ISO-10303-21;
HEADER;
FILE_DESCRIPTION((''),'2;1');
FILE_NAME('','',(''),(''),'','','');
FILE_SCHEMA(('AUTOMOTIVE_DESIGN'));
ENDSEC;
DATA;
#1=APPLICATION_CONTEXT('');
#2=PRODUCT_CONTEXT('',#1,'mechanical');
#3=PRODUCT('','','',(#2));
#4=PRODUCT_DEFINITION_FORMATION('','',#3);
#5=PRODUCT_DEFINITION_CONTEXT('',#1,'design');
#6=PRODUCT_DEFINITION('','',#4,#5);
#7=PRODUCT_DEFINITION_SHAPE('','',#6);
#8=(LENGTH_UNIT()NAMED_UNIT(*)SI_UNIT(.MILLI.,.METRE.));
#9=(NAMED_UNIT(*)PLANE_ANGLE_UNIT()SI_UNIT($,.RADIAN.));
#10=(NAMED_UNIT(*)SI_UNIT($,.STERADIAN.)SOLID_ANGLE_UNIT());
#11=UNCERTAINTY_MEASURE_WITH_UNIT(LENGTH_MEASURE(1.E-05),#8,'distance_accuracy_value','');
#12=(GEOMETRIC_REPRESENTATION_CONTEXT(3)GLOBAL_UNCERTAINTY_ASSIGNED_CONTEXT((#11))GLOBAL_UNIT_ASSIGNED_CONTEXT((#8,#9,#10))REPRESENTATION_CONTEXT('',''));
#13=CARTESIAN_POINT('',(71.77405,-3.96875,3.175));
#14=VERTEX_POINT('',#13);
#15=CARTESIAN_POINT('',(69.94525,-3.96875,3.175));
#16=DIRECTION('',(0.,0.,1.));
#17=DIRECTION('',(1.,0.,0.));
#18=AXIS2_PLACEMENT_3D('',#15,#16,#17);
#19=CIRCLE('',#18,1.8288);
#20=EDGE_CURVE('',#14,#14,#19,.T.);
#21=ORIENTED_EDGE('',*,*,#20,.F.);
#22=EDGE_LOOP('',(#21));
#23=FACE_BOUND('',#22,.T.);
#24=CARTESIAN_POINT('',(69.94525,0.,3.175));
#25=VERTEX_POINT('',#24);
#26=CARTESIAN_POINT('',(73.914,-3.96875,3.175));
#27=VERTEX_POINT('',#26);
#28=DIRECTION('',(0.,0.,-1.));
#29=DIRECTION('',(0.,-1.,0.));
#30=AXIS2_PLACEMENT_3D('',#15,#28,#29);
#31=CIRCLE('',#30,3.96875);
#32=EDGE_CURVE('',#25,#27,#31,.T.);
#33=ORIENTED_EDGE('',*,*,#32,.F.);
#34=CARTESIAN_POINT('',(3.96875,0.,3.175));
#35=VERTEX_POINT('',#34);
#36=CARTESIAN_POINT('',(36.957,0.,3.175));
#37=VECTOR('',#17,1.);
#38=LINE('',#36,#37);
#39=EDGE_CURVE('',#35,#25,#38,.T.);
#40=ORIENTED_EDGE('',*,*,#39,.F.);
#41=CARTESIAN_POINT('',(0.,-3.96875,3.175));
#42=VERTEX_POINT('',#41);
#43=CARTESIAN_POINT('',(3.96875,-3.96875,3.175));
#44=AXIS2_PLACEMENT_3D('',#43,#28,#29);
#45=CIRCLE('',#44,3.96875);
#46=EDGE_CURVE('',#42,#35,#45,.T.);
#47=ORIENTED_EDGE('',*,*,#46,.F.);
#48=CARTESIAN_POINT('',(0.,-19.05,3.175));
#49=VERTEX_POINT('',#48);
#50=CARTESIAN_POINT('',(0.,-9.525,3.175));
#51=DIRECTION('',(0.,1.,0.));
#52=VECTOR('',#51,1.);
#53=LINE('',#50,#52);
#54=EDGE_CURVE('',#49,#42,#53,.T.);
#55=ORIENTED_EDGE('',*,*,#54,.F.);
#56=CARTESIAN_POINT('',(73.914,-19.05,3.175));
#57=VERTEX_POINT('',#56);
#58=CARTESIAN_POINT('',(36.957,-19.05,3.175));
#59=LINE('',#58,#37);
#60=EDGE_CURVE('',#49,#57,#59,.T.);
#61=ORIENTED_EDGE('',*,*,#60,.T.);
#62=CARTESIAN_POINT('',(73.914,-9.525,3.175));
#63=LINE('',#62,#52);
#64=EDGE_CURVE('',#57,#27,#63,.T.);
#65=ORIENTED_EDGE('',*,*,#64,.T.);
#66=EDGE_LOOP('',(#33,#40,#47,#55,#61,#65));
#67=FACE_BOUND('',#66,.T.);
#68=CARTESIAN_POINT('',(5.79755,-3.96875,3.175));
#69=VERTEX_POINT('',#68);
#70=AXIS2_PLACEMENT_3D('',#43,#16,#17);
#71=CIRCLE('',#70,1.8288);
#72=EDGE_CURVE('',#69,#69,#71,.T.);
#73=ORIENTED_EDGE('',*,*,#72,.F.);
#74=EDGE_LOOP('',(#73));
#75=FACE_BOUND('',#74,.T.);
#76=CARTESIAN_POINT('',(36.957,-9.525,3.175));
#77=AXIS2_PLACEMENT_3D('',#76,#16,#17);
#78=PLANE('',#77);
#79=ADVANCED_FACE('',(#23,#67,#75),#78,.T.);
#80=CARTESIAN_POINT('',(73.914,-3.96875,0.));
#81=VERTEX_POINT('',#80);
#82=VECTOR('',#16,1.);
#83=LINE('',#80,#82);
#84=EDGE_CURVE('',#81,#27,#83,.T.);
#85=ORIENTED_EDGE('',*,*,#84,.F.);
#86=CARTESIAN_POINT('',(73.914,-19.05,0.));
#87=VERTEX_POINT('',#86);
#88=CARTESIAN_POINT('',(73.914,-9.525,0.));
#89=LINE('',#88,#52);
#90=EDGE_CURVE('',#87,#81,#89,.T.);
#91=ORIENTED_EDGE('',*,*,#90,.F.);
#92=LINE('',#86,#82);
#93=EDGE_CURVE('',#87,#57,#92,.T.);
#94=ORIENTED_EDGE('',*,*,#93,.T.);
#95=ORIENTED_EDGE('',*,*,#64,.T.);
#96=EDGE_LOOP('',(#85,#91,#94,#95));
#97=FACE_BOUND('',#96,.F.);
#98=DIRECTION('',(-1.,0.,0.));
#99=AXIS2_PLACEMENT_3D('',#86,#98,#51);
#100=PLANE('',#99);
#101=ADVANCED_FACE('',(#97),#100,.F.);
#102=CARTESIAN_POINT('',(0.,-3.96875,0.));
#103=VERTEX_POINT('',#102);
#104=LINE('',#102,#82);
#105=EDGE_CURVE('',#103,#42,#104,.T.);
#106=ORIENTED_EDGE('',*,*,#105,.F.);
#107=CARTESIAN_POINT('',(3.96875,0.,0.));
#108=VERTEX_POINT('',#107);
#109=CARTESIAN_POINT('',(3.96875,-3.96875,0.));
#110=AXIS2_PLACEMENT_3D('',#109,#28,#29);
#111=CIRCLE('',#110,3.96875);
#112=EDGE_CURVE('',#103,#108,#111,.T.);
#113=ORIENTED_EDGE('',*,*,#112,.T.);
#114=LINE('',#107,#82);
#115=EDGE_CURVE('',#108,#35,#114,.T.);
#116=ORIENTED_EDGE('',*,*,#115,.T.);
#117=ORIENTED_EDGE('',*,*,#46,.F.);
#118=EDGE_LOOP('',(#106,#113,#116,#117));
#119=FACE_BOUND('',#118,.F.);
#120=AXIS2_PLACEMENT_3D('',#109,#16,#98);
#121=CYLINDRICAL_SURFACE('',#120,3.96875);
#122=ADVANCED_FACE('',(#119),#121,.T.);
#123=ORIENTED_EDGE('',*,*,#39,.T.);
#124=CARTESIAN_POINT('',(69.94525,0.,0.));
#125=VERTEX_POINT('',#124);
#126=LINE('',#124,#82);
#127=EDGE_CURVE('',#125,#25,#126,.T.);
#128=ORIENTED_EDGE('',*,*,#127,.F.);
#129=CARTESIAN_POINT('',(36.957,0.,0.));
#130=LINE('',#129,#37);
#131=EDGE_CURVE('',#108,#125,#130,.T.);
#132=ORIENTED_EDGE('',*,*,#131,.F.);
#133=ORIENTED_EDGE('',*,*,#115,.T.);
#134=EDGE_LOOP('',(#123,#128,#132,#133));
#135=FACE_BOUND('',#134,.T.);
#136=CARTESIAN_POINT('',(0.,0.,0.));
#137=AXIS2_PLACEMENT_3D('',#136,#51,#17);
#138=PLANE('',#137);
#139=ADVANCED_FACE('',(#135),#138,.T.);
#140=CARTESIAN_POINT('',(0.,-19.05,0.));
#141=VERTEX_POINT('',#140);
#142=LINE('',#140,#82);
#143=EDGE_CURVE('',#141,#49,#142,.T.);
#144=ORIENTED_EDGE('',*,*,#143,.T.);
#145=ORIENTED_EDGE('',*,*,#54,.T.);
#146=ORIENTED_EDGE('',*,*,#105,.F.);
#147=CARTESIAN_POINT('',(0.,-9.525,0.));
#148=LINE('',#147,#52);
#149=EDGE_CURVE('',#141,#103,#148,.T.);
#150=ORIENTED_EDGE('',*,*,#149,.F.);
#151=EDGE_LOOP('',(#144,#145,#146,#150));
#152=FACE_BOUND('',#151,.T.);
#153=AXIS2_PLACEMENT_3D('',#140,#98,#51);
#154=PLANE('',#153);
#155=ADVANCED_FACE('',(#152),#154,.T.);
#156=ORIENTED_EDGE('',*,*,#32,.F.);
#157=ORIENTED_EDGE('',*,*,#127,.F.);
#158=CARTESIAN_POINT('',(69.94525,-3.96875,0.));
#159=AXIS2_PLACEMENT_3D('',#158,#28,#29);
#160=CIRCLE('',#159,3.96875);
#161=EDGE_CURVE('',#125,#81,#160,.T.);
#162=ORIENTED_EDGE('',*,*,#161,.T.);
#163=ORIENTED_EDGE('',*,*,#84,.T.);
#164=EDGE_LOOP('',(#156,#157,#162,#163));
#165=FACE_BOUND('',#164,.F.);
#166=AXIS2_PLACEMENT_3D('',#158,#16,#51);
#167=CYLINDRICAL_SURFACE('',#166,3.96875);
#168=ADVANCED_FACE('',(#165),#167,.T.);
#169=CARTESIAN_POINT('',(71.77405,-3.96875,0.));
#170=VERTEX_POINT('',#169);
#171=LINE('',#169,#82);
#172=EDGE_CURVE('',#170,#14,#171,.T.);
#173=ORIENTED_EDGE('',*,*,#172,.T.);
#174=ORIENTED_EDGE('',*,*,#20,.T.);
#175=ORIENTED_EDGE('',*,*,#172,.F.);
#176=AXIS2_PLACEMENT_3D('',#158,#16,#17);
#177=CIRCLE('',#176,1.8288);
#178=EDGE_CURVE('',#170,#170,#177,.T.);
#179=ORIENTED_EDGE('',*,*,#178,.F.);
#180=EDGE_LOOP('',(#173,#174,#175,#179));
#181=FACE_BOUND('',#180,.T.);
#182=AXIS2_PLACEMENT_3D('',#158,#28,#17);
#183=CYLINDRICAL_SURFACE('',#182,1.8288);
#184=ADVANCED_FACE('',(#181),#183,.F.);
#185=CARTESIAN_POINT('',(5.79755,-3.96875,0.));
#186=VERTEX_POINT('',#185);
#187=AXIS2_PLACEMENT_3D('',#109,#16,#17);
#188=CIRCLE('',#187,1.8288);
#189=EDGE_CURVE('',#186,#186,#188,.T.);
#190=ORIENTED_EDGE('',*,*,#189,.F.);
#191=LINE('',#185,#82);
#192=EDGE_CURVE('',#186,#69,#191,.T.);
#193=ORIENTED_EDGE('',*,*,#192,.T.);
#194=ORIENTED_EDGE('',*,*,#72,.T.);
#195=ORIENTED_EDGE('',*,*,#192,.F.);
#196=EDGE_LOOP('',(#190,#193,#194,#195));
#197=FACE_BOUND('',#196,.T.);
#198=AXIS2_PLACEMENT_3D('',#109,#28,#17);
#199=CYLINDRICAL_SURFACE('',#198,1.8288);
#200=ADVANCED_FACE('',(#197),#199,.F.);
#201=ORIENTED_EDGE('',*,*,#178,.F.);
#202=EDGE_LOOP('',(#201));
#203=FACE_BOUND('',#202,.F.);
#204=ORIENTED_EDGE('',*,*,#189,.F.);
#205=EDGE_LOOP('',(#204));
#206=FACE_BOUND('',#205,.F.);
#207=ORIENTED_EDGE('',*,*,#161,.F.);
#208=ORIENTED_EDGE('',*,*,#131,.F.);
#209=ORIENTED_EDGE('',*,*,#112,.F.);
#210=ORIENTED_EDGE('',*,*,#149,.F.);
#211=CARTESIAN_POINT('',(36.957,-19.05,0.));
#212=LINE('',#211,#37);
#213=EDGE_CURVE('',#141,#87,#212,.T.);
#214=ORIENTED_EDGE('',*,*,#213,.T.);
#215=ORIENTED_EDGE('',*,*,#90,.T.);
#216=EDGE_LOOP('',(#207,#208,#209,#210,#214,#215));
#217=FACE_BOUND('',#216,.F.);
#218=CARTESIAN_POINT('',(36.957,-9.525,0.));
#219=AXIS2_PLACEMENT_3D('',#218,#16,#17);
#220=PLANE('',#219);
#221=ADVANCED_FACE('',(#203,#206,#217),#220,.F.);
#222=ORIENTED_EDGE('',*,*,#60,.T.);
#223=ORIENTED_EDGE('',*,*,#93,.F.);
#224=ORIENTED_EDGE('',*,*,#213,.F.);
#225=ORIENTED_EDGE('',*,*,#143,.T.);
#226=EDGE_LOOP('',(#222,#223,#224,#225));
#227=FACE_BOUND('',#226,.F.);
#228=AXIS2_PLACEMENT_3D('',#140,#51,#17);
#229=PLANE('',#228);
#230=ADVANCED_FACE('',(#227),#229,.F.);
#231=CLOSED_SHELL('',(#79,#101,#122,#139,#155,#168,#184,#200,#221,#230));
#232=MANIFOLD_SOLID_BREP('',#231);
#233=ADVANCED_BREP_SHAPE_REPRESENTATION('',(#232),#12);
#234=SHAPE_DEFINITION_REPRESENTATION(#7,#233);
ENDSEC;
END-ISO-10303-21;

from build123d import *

# Parameters (mm, degrees)
F0_W     = 73.914
F0_H     = 19.05
F0_R     = 1.8288
F1_DEPTH = 3.175
F2_R     = 3.96875


with BuildPart() as f1:
    # F0 (on Top) → F1 (new body)
    with BuildSketch(Plane.XY):
        with Locations((36.957, -9.525)):
            Rectangle(F0_W, F0_H)
        with Locations((3.96875, -3.96875)):
            Circle(F0_R, mode=Mode.SUBTRACT)
        with Locations((69.94525, -3.96875)):
            Circle(F0_R, mode=Mode.SUBTRACT)
    extrude(amount=F1_DEPTH)

    # F2
    f2_edges = [f1.edges().sort_by_distance(p)[0] for p in [
        (0, 0, 1.5875),
        (73.914, 0, 1.5875),
    ]]
    fillet(f2_edges, radius=F2_R)


solid = f1.part
